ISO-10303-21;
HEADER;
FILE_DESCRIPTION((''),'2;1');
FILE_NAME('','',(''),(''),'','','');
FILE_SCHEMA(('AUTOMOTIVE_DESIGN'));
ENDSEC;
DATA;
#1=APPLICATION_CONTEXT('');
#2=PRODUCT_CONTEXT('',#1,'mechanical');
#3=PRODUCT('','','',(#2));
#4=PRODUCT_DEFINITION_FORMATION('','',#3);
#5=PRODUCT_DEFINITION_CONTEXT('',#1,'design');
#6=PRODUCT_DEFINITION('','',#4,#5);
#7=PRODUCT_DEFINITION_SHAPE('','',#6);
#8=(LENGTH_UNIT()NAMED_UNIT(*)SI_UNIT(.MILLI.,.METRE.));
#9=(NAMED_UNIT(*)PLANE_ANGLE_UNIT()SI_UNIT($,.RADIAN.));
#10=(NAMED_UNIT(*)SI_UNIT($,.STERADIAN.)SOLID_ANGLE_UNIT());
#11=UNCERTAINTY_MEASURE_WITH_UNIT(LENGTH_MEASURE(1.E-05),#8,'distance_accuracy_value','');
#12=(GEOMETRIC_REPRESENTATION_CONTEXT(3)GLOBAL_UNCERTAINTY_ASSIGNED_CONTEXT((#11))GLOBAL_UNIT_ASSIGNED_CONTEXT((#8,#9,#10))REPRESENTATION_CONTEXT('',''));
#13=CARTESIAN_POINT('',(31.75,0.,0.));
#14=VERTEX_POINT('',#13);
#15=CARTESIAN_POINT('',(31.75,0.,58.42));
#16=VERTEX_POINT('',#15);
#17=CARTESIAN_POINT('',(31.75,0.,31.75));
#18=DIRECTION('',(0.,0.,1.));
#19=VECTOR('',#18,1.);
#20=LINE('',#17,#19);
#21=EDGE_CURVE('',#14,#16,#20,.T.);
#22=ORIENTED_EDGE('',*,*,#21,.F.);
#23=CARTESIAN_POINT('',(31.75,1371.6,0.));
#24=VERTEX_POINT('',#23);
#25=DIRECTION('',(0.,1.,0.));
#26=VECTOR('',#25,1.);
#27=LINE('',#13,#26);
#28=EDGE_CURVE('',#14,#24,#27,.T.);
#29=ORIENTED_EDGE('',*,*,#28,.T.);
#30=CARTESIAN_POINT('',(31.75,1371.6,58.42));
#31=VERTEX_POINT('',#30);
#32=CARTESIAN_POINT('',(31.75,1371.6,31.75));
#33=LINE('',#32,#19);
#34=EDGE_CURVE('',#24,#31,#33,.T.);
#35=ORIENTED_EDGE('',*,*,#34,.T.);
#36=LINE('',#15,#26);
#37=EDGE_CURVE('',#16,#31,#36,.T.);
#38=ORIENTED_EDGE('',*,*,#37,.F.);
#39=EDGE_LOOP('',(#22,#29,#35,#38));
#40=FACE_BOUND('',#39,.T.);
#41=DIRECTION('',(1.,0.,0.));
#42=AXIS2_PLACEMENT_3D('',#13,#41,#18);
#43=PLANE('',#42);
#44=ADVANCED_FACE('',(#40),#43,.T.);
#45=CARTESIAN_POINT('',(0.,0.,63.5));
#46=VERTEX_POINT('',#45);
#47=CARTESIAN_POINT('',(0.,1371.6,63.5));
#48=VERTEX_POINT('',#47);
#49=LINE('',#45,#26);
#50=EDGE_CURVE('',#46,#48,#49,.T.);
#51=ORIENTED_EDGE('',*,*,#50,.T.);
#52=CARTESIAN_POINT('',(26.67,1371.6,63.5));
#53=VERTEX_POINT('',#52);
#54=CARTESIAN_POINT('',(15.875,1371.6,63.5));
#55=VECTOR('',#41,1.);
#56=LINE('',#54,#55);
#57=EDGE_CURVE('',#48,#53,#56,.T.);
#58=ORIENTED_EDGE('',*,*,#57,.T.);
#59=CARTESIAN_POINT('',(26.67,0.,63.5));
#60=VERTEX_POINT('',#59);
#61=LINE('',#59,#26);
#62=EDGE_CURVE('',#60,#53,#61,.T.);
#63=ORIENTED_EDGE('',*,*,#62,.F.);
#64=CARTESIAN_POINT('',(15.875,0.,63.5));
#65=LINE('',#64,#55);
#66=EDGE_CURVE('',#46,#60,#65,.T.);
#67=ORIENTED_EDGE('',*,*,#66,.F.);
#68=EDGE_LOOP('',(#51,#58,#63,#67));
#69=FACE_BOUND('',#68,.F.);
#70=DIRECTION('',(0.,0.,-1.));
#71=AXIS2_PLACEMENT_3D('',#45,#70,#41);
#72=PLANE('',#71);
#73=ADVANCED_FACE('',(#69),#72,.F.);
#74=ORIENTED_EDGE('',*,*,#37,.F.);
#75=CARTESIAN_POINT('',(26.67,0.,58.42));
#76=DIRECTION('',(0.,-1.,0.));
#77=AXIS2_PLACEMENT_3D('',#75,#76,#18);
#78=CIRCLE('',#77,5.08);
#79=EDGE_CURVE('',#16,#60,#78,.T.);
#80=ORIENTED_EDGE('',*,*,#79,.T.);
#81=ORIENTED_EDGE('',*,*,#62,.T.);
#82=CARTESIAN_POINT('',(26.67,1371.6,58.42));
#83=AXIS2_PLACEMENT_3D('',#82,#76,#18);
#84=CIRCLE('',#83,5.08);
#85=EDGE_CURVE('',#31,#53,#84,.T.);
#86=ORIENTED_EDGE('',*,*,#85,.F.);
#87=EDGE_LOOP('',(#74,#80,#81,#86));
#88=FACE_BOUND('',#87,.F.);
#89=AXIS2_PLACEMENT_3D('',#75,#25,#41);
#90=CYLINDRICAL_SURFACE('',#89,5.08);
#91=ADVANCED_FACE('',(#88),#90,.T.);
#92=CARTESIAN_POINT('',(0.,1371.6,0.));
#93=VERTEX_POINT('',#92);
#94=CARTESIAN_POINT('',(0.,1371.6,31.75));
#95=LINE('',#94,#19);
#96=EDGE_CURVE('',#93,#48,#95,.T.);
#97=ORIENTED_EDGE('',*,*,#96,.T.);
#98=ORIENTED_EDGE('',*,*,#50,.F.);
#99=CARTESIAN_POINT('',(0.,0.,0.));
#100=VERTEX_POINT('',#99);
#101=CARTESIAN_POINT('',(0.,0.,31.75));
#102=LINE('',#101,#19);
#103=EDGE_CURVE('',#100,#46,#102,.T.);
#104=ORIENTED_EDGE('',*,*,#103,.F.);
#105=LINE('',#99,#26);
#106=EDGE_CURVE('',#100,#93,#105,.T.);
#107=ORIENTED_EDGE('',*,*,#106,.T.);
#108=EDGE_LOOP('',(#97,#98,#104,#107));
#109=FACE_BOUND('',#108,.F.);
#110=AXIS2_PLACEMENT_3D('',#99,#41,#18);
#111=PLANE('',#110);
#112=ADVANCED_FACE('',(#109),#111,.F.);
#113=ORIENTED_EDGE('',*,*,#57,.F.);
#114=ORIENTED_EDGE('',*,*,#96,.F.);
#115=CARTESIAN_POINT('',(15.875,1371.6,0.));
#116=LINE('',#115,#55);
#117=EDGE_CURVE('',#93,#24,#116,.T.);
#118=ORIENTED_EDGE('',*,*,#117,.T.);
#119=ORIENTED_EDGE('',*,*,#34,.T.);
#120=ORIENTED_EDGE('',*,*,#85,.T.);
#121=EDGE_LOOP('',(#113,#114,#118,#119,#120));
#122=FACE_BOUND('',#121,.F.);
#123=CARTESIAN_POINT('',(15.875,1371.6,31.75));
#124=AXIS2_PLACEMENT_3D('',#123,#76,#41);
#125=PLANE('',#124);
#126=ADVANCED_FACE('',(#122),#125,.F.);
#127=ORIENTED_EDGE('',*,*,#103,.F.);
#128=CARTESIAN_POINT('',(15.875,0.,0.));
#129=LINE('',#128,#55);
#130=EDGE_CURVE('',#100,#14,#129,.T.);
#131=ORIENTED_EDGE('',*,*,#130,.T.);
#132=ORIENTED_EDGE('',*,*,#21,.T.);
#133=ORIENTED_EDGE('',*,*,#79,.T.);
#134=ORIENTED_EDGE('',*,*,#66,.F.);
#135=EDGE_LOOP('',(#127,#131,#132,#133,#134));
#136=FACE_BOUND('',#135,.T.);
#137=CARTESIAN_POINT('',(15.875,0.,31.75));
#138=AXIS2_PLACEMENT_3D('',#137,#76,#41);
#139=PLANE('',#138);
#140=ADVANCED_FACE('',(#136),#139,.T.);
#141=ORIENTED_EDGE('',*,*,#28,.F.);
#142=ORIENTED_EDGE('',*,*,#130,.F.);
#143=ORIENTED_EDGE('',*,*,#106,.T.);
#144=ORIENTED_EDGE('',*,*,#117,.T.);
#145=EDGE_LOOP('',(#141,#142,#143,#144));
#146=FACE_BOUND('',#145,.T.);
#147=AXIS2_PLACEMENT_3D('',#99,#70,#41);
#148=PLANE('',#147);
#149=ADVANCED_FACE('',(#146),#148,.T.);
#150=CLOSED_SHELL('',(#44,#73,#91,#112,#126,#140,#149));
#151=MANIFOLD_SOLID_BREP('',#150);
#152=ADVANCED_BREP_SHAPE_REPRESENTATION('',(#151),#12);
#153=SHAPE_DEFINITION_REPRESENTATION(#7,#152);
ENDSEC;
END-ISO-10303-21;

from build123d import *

# Parameters (mm, degrees)
F0_W     = 31.75
F0_H     = 63.5
F1_DEPTH = 1371.6
F2_R     = 5.08


with BuildPart() as f1:
    # F0 (on Front) → F1 (new body)
    with BuildSketch(Plane.XZ):
        with Locations((15.875, 31.75)):
            Rectangle(F0_W, F0_H)
    extrude(amount=-F1_DEPTH)

    # F2
    f2_edges = [f1.edges().sort_by_distance(p)[0] for p in [
        (31.75, 685.8, 63.5),
    ]]
    fillet(f2_edges, radius=F2_R)


solid = f1.part
